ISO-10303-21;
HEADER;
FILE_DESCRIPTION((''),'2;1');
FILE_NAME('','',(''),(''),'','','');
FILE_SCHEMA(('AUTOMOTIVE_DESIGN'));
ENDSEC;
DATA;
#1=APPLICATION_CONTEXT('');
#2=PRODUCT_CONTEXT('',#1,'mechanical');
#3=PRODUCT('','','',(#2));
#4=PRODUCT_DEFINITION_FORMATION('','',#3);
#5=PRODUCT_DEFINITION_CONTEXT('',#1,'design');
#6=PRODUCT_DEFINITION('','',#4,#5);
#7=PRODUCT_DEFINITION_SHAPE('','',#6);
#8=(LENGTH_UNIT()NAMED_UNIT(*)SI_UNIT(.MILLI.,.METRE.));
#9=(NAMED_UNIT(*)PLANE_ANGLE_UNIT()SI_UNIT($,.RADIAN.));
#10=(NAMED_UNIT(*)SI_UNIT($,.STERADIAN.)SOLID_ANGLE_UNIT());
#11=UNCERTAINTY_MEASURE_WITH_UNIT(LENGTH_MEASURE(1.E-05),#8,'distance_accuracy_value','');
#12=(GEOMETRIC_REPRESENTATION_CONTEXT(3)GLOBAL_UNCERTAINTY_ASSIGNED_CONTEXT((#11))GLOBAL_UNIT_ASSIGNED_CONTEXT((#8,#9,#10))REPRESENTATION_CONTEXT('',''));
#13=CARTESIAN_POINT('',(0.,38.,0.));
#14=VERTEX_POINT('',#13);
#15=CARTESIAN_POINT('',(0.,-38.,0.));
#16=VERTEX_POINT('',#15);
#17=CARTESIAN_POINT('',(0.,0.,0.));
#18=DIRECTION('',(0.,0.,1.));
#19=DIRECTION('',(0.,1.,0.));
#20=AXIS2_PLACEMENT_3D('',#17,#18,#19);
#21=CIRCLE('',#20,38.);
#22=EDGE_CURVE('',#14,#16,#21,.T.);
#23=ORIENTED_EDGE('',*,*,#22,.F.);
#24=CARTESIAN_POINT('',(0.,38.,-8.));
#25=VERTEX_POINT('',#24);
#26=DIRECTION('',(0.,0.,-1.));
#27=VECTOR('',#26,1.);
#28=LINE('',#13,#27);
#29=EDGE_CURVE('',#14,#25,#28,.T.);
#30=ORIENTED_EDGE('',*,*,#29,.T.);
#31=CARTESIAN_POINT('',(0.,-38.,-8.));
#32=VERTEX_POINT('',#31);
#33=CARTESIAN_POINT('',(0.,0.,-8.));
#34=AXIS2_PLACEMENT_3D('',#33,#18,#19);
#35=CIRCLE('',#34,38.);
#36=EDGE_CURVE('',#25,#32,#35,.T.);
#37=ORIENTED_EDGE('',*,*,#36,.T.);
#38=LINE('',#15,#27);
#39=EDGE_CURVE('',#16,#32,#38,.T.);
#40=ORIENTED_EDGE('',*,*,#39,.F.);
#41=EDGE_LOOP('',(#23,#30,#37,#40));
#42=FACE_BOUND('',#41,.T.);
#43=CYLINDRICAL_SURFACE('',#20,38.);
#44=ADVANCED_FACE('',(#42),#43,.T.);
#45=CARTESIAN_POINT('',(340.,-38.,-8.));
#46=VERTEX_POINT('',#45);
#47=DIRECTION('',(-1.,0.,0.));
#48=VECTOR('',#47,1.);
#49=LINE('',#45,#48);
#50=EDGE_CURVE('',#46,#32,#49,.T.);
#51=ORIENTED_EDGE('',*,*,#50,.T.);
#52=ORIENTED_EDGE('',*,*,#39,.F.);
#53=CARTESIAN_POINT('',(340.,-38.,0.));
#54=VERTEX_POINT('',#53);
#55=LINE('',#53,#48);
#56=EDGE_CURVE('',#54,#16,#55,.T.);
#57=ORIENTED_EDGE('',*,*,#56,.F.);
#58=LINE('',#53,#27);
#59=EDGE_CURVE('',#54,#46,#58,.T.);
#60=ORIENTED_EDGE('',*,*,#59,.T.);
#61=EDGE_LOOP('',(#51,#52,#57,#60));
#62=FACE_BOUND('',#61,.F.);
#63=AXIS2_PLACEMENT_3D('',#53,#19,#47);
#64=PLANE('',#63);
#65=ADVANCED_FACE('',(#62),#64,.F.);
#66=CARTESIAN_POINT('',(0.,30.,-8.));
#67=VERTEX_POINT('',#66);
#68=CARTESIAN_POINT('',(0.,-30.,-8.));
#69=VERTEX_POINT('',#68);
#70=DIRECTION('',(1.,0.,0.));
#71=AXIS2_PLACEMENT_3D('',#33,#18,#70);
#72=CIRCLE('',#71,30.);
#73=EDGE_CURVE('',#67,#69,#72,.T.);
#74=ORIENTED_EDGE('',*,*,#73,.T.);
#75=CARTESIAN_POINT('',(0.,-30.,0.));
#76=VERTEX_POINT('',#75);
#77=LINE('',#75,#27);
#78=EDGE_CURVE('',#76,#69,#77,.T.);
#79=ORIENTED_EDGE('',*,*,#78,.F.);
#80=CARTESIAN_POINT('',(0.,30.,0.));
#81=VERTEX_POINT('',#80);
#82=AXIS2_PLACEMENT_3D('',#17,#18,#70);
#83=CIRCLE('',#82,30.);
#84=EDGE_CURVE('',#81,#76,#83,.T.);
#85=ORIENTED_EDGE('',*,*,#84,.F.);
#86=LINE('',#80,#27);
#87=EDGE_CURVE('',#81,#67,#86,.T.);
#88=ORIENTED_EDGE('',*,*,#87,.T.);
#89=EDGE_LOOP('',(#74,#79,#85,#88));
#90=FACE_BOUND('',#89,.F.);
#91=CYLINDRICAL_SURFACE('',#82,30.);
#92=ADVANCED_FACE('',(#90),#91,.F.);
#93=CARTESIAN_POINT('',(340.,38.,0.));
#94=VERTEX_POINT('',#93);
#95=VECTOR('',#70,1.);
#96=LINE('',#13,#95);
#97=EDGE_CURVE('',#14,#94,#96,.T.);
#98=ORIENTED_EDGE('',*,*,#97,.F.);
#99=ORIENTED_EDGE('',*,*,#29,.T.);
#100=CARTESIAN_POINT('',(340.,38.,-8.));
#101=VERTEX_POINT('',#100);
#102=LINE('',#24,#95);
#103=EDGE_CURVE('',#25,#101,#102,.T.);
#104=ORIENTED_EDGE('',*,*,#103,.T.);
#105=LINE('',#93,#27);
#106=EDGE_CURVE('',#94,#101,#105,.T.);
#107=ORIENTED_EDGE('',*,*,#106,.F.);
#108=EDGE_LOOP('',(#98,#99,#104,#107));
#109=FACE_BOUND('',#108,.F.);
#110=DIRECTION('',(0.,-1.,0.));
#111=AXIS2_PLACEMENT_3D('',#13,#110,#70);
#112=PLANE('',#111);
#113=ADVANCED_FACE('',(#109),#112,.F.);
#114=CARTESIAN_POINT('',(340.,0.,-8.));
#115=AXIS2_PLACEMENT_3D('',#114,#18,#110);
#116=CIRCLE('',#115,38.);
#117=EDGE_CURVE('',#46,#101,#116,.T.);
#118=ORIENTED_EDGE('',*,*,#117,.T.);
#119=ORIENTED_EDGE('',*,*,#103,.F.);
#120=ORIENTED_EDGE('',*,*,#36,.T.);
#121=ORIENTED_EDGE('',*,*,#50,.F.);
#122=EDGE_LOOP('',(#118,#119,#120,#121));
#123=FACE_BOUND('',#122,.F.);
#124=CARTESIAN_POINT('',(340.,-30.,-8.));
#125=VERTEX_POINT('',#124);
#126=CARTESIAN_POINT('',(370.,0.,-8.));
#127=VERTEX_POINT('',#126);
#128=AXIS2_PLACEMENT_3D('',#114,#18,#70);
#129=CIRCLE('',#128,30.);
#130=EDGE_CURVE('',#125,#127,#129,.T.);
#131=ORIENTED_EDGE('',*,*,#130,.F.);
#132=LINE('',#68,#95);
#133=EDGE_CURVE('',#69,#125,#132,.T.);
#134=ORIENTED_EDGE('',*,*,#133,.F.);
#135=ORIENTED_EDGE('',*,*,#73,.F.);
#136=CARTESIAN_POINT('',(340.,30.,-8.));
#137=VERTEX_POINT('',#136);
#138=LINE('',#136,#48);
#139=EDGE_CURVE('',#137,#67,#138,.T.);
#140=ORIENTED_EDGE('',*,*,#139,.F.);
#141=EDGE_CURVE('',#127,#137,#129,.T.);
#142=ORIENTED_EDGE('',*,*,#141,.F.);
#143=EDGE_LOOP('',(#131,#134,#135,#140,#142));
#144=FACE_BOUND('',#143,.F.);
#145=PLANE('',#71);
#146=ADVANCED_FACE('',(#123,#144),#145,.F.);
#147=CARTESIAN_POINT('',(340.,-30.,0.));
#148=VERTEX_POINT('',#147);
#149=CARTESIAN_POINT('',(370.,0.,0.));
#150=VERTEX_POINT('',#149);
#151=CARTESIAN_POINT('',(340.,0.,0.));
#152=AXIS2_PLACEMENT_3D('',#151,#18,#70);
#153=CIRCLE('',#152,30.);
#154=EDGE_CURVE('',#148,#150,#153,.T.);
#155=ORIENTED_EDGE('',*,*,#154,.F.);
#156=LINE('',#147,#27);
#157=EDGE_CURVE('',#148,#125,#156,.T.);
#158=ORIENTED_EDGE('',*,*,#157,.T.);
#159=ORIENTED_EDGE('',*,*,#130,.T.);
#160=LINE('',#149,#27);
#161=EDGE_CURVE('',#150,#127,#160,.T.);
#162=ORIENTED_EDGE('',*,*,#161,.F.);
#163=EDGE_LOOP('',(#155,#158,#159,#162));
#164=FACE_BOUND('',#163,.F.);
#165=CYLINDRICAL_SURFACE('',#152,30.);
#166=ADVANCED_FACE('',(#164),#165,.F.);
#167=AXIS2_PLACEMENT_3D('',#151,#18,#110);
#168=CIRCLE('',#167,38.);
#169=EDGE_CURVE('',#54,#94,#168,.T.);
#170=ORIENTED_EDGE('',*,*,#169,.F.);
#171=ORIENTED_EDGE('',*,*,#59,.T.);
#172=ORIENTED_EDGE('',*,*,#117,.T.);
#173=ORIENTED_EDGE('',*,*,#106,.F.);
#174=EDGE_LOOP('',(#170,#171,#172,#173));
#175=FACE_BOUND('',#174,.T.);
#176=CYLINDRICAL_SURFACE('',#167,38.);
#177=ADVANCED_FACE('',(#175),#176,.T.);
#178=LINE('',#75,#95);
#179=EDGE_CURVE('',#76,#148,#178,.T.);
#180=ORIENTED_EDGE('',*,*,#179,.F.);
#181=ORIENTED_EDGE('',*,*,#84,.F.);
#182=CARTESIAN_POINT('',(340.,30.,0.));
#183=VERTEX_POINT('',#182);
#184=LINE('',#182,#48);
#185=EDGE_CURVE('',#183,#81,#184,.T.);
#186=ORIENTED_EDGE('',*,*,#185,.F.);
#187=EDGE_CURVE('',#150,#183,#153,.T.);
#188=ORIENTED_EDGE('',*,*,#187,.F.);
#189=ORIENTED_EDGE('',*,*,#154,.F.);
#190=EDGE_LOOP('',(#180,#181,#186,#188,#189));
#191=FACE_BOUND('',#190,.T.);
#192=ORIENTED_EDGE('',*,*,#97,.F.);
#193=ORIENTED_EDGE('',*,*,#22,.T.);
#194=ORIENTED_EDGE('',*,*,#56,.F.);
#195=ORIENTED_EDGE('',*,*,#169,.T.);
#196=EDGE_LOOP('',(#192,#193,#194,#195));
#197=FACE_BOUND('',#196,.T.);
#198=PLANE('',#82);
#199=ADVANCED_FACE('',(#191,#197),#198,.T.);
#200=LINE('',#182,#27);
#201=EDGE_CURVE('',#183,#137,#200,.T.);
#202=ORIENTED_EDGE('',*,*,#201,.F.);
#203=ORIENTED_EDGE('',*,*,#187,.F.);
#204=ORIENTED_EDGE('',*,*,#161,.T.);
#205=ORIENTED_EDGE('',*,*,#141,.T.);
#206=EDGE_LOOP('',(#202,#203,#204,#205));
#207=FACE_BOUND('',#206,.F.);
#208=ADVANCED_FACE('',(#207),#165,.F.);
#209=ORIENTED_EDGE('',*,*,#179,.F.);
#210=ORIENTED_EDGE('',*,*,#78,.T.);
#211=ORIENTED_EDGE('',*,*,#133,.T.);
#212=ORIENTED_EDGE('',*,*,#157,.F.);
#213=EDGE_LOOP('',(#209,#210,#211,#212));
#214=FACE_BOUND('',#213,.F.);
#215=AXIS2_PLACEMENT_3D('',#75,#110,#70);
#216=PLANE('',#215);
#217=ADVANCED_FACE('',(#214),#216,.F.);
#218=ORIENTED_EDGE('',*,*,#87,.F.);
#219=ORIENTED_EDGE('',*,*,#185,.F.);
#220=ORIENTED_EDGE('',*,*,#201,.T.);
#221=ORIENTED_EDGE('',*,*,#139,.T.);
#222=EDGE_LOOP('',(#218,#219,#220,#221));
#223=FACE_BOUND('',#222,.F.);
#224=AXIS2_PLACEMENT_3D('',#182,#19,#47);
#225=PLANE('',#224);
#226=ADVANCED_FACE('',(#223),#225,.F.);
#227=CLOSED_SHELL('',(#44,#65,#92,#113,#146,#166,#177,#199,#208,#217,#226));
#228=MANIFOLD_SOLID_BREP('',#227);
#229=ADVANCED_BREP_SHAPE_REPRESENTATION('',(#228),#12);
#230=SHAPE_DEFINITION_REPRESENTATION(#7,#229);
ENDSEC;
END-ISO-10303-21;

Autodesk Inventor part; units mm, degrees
ref_plane "YZ Plane" through (0, 0, 0) normal (1, 0, 0) x (0, 1, 0)
ref_plane "XZ Plane" through (0, 0, 0) normal (0, 1, 0) x (-1, 0, 0)
ref_plane "XY Plane" through (0, 0, 0) normal (0, 0, 1) x (1, 0, 0)
sketch "Sketch1" plane through (0, 0, 0) normal (0, 0, 1) x (1, 0, 0)
  circle A0 centre (0, 0) radius 10 projected
  circle A1 centre (0, 0) radius 30 projected
  circle A2 centre (340, 0) radius 10 projected
  circle A3 centre (340, 0) radius 30 projected
  line L0 (0, 38) -> (340, 38)
  arc A4 (340, -38) -> (340, 38) centre (340, 0) ccw
  line L1 (340, -38) -> (0, -38)
  arc A5 (0, 38) -> (0, -38) centre (0, 0) ccw
  line L2 (340, 30) -> (0, 30)
  arc A6 (0, 30) -> (0, -30) centre (0, 0) ccw
  line L3 (0, -30) -> (340, -30)
  arc A7 (340, -30) -> (340, 30) centre (340, 0) ccw
  dimension "d0" = 8
extrude "Extrusion1" add sketch "Sketch1" against normal blind 8 contours L0 A4 L1 A5
properties part number "ketting1"
